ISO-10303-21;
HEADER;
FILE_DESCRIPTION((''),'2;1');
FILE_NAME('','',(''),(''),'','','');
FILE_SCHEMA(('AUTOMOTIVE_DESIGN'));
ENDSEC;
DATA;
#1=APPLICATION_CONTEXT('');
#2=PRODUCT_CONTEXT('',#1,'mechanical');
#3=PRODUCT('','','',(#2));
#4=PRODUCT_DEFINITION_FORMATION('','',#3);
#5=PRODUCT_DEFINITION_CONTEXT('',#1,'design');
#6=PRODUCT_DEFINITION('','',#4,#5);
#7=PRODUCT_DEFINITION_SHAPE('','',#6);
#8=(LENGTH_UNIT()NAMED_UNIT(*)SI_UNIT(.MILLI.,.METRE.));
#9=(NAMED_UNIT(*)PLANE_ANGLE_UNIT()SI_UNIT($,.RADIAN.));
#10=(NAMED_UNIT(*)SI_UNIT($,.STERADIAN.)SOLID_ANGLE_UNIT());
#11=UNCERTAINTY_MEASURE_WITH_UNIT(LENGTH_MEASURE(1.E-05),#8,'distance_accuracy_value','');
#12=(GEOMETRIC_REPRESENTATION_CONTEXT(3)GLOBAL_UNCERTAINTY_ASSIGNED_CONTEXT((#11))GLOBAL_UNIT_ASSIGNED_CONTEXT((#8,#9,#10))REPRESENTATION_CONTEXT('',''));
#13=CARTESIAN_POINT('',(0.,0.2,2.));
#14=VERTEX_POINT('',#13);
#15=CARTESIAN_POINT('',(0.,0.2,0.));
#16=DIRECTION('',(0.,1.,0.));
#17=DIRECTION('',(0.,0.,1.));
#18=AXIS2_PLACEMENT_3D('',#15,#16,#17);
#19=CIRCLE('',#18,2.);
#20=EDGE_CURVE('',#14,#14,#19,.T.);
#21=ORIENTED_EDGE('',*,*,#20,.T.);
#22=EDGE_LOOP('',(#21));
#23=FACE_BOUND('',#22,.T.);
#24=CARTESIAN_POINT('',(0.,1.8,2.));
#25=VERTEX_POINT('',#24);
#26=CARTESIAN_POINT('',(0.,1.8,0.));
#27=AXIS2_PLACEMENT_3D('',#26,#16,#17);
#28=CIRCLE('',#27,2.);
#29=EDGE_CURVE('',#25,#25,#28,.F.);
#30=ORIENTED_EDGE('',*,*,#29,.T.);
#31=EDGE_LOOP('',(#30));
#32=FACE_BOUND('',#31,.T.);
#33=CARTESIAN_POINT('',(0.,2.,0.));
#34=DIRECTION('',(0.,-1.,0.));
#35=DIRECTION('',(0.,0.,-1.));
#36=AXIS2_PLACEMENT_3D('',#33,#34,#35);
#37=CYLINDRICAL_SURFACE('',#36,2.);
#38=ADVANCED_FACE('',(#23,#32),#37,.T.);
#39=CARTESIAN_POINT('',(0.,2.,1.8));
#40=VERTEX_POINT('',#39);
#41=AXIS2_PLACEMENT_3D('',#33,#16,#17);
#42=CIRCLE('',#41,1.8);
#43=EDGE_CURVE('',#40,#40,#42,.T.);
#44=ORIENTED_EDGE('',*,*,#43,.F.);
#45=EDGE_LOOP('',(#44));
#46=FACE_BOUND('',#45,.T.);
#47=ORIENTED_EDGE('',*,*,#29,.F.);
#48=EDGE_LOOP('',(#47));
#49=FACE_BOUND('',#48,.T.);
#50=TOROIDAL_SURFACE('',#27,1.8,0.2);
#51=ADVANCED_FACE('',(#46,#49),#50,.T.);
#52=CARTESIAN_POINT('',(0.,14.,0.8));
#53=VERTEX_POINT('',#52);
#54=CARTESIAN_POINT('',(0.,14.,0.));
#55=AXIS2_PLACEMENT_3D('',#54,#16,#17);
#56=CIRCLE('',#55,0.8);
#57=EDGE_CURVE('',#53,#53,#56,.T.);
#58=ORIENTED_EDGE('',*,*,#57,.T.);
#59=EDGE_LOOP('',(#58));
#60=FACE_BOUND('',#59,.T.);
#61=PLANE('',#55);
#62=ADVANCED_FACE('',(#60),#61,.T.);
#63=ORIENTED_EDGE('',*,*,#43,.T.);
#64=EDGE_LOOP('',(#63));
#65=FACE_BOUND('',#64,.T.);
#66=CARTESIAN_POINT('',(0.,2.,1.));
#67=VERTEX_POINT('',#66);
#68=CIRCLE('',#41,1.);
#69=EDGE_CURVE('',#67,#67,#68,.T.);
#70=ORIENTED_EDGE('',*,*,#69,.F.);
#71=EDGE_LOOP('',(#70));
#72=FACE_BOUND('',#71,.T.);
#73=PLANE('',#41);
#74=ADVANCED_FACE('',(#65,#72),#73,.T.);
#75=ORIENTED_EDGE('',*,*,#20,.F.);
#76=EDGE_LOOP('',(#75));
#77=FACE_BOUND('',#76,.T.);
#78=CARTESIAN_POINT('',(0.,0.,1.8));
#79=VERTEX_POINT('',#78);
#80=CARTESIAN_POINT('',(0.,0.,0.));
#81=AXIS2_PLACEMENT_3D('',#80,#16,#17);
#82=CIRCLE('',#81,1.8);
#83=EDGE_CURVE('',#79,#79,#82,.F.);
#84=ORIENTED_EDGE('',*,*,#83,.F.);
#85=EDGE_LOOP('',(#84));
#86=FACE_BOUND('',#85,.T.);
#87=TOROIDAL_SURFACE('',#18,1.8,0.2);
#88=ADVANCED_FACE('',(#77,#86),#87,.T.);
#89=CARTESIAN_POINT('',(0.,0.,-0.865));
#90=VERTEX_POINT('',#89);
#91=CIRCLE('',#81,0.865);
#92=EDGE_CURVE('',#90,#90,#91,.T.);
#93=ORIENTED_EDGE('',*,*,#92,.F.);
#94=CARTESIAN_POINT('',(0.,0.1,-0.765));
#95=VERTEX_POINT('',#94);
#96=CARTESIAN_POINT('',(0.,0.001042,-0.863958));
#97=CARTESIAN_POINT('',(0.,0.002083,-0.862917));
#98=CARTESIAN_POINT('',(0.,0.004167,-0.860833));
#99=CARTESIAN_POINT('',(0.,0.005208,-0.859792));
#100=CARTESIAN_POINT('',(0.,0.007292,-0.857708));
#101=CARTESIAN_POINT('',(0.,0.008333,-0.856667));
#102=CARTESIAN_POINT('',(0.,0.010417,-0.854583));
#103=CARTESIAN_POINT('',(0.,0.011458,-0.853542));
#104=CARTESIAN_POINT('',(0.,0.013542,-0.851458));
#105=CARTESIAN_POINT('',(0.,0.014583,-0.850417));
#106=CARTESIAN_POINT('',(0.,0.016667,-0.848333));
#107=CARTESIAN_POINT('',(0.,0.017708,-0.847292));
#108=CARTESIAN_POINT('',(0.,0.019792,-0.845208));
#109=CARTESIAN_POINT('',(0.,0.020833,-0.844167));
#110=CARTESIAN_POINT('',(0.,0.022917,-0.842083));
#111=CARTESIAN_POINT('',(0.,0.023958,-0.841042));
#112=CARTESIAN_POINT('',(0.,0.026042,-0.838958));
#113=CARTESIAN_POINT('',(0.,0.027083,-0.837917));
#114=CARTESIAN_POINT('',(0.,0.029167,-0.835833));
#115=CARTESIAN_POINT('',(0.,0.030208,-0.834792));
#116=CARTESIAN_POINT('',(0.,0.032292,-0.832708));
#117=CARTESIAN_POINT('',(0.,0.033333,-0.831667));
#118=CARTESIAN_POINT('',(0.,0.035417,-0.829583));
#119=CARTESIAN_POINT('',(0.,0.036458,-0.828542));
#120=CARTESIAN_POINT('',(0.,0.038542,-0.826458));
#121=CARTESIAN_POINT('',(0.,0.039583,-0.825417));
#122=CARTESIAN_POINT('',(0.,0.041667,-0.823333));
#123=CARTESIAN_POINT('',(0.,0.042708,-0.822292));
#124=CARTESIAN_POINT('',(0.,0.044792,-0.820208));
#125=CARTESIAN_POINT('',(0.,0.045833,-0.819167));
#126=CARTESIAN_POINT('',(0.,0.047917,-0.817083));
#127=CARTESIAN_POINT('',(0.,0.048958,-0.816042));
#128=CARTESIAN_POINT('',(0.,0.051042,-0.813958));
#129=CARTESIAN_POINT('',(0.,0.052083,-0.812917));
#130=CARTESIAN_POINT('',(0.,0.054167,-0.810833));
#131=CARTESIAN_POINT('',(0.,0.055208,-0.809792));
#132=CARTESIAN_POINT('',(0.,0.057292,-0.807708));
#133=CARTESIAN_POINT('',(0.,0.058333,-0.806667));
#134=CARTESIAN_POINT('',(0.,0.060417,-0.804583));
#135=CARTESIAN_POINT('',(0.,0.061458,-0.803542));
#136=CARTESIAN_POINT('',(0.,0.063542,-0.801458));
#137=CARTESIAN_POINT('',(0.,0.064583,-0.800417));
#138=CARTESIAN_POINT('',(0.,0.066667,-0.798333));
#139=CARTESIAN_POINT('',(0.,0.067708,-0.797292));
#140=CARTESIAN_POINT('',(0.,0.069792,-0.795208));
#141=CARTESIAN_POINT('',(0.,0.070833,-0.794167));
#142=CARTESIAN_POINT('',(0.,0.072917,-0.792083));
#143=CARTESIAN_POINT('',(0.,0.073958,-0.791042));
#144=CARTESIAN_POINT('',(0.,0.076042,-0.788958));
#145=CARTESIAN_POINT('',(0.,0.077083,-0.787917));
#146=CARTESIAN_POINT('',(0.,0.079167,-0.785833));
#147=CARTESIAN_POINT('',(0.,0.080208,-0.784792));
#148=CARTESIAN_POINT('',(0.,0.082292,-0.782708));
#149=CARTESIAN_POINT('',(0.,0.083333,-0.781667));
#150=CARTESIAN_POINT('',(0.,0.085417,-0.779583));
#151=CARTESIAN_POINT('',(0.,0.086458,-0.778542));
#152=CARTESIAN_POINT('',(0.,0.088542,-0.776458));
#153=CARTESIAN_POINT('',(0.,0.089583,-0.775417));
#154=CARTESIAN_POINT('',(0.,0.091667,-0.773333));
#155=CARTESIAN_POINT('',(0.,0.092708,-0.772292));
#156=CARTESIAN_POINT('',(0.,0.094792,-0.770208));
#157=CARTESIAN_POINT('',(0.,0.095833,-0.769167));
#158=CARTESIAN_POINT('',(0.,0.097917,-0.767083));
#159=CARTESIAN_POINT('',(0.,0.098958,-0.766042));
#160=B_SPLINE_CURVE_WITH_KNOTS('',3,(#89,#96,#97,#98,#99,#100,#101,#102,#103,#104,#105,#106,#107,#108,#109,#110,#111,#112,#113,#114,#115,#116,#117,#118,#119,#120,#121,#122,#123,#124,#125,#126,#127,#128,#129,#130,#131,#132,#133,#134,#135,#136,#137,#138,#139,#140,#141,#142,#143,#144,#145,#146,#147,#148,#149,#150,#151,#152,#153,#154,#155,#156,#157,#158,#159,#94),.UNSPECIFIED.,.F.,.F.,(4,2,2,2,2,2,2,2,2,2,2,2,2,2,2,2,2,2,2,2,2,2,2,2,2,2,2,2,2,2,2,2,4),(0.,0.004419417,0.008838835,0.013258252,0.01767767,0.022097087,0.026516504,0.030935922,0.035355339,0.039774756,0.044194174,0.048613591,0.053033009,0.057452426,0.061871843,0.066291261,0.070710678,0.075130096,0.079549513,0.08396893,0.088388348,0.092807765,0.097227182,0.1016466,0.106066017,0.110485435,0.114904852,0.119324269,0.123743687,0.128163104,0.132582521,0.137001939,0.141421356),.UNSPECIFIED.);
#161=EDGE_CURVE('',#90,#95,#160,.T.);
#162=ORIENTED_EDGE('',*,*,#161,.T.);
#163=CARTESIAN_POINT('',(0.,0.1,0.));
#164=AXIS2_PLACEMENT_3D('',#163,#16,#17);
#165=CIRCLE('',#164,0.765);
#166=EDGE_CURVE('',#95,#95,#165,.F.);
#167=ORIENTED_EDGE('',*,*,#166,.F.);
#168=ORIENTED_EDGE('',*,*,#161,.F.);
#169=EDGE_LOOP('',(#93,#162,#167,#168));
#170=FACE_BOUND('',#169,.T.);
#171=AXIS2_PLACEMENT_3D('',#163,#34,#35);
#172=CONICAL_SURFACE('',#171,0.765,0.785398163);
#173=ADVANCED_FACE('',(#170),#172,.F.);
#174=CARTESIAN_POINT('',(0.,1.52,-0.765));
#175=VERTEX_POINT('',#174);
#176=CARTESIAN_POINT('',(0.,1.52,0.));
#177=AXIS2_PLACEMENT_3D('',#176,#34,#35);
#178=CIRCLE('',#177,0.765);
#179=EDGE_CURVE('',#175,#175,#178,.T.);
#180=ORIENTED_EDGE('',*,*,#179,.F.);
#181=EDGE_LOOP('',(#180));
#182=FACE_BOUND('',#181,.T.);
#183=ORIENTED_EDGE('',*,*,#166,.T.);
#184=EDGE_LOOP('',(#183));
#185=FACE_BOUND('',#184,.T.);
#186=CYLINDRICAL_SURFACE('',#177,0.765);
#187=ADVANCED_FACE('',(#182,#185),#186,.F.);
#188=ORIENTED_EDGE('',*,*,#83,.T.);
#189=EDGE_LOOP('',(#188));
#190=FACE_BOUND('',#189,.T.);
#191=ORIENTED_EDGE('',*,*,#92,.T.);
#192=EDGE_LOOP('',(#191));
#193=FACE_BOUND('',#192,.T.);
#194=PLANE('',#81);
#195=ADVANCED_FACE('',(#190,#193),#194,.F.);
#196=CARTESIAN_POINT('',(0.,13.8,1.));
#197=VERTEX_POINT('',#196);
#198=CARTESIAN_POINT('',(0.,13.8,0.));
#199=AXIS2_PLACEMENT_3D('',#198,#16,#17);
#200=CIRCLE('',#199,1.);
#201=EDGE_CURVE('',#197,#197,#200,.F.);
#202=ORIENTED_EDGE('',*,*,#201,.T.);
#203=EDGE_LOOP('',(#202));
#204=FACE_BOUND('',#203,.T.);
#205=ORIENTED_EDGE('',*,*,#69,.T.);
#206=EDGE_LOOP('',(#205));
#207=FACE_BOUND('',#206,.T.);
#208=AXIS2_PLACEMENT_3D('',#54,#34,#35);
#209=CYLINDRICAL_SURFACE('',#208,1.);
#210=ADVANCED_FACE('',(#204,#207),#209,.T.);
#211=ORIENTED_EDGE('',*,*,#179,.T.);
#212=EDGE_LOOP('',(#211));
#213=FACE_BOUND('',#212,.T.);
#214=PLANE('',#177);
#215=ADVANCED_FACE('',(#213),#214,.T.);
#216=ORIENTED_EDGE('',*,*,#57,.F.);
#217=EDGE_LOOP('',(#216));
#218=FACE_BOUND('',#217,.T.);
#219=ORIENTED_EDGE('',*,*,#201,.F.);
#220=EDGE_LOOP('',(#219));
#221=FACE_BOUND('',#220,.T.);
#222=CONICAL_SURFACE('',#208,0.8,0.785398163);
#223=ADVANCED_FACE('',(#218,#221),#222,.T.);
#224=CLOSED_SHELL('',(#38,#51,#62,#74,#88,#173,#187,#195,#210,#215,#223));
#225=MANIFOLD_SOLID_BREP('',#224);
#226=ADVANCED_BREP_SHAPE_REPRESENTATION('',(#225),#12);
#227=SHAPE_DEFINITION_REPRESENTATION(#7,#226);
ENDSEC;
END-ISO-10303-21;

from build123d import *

# Parameters (mm, degrees)
SKETCH_2_R          = 2
EXTRUDE_1_DEPTH     = 2
SKETCH_3_R          = 1
EXTRUDE_2_DEPTH     = 12
FILLET_1_R          = 0.2
SKETCH_4_R          = 0.765
CUT_EXTRUDE_1_DEPTH = 1.52
CHAMFER_1_SIZE      = 0.1
CHAMFER_2_SIZE      = 0.2


with BuildPart() as part:
    # 草图2 → 凸台-拉伸1 (new body)
    with BuildSketch(Plane(origin=(0, 0, 0), x_dir=(1, 0, 0), z_dir=(0, 1, 0))):
        with Locations(Location((0, 0, 0), (0, 0, 270))):
            Circle(SKETCH_2_R)
    extrude(amount=EXTRUDE_1_DEPTH)

    # 草图3 → 凸台-拉伸2 (add)
    with BuildSketch(Plane(origin=(0, 2, 0), x_dir=(1, 0, 0), z_dir=(0, 1, 0))):
        with Locations(Location((0, 0, 0), (0, 0, 270))):
            Circle(SKETCH_3_R)
    extrude(amount=EXTRUDE_2_DEPTH)

    # 圆角1
    fillet_1_edges = [part.edges().sort_by_distance(p)[0] for p in [
        (0, 0, -2),
        (0, 2, -2),
    ]]
    fillet(fillet_1_edges, radius=FILLET_1_R)

    # 草图4 → 切除-拉伸1 (cut)
    with BuildSketch(Plane.XZ):
        with Locations(Location((0, 0, 0), (0, 0, 270))):
            Circle(SKETCH_4_R)
    extrude(amount=-CUT_EXTRUDE_1_DEPTH, mode=Mode.SUBTRACT)

    # 倒角1
    chamfer_1_edges = [part.edges().sort_by_distance(p)[0] for p in [
        (0, 0, 0.765),
    ]]
    chamfer(chamfer_1_edges, length=CHAMFER_1_SIZE)

    # 倒角2
    chamfer_2_edges = [part.edges().sort_by_distance(p)[0] for p in [
        (0, 14, -1),
    ]]
    chamfer(chamfer_2_edges, length=CHAMFER_2_SIZE)


solid = part.part
